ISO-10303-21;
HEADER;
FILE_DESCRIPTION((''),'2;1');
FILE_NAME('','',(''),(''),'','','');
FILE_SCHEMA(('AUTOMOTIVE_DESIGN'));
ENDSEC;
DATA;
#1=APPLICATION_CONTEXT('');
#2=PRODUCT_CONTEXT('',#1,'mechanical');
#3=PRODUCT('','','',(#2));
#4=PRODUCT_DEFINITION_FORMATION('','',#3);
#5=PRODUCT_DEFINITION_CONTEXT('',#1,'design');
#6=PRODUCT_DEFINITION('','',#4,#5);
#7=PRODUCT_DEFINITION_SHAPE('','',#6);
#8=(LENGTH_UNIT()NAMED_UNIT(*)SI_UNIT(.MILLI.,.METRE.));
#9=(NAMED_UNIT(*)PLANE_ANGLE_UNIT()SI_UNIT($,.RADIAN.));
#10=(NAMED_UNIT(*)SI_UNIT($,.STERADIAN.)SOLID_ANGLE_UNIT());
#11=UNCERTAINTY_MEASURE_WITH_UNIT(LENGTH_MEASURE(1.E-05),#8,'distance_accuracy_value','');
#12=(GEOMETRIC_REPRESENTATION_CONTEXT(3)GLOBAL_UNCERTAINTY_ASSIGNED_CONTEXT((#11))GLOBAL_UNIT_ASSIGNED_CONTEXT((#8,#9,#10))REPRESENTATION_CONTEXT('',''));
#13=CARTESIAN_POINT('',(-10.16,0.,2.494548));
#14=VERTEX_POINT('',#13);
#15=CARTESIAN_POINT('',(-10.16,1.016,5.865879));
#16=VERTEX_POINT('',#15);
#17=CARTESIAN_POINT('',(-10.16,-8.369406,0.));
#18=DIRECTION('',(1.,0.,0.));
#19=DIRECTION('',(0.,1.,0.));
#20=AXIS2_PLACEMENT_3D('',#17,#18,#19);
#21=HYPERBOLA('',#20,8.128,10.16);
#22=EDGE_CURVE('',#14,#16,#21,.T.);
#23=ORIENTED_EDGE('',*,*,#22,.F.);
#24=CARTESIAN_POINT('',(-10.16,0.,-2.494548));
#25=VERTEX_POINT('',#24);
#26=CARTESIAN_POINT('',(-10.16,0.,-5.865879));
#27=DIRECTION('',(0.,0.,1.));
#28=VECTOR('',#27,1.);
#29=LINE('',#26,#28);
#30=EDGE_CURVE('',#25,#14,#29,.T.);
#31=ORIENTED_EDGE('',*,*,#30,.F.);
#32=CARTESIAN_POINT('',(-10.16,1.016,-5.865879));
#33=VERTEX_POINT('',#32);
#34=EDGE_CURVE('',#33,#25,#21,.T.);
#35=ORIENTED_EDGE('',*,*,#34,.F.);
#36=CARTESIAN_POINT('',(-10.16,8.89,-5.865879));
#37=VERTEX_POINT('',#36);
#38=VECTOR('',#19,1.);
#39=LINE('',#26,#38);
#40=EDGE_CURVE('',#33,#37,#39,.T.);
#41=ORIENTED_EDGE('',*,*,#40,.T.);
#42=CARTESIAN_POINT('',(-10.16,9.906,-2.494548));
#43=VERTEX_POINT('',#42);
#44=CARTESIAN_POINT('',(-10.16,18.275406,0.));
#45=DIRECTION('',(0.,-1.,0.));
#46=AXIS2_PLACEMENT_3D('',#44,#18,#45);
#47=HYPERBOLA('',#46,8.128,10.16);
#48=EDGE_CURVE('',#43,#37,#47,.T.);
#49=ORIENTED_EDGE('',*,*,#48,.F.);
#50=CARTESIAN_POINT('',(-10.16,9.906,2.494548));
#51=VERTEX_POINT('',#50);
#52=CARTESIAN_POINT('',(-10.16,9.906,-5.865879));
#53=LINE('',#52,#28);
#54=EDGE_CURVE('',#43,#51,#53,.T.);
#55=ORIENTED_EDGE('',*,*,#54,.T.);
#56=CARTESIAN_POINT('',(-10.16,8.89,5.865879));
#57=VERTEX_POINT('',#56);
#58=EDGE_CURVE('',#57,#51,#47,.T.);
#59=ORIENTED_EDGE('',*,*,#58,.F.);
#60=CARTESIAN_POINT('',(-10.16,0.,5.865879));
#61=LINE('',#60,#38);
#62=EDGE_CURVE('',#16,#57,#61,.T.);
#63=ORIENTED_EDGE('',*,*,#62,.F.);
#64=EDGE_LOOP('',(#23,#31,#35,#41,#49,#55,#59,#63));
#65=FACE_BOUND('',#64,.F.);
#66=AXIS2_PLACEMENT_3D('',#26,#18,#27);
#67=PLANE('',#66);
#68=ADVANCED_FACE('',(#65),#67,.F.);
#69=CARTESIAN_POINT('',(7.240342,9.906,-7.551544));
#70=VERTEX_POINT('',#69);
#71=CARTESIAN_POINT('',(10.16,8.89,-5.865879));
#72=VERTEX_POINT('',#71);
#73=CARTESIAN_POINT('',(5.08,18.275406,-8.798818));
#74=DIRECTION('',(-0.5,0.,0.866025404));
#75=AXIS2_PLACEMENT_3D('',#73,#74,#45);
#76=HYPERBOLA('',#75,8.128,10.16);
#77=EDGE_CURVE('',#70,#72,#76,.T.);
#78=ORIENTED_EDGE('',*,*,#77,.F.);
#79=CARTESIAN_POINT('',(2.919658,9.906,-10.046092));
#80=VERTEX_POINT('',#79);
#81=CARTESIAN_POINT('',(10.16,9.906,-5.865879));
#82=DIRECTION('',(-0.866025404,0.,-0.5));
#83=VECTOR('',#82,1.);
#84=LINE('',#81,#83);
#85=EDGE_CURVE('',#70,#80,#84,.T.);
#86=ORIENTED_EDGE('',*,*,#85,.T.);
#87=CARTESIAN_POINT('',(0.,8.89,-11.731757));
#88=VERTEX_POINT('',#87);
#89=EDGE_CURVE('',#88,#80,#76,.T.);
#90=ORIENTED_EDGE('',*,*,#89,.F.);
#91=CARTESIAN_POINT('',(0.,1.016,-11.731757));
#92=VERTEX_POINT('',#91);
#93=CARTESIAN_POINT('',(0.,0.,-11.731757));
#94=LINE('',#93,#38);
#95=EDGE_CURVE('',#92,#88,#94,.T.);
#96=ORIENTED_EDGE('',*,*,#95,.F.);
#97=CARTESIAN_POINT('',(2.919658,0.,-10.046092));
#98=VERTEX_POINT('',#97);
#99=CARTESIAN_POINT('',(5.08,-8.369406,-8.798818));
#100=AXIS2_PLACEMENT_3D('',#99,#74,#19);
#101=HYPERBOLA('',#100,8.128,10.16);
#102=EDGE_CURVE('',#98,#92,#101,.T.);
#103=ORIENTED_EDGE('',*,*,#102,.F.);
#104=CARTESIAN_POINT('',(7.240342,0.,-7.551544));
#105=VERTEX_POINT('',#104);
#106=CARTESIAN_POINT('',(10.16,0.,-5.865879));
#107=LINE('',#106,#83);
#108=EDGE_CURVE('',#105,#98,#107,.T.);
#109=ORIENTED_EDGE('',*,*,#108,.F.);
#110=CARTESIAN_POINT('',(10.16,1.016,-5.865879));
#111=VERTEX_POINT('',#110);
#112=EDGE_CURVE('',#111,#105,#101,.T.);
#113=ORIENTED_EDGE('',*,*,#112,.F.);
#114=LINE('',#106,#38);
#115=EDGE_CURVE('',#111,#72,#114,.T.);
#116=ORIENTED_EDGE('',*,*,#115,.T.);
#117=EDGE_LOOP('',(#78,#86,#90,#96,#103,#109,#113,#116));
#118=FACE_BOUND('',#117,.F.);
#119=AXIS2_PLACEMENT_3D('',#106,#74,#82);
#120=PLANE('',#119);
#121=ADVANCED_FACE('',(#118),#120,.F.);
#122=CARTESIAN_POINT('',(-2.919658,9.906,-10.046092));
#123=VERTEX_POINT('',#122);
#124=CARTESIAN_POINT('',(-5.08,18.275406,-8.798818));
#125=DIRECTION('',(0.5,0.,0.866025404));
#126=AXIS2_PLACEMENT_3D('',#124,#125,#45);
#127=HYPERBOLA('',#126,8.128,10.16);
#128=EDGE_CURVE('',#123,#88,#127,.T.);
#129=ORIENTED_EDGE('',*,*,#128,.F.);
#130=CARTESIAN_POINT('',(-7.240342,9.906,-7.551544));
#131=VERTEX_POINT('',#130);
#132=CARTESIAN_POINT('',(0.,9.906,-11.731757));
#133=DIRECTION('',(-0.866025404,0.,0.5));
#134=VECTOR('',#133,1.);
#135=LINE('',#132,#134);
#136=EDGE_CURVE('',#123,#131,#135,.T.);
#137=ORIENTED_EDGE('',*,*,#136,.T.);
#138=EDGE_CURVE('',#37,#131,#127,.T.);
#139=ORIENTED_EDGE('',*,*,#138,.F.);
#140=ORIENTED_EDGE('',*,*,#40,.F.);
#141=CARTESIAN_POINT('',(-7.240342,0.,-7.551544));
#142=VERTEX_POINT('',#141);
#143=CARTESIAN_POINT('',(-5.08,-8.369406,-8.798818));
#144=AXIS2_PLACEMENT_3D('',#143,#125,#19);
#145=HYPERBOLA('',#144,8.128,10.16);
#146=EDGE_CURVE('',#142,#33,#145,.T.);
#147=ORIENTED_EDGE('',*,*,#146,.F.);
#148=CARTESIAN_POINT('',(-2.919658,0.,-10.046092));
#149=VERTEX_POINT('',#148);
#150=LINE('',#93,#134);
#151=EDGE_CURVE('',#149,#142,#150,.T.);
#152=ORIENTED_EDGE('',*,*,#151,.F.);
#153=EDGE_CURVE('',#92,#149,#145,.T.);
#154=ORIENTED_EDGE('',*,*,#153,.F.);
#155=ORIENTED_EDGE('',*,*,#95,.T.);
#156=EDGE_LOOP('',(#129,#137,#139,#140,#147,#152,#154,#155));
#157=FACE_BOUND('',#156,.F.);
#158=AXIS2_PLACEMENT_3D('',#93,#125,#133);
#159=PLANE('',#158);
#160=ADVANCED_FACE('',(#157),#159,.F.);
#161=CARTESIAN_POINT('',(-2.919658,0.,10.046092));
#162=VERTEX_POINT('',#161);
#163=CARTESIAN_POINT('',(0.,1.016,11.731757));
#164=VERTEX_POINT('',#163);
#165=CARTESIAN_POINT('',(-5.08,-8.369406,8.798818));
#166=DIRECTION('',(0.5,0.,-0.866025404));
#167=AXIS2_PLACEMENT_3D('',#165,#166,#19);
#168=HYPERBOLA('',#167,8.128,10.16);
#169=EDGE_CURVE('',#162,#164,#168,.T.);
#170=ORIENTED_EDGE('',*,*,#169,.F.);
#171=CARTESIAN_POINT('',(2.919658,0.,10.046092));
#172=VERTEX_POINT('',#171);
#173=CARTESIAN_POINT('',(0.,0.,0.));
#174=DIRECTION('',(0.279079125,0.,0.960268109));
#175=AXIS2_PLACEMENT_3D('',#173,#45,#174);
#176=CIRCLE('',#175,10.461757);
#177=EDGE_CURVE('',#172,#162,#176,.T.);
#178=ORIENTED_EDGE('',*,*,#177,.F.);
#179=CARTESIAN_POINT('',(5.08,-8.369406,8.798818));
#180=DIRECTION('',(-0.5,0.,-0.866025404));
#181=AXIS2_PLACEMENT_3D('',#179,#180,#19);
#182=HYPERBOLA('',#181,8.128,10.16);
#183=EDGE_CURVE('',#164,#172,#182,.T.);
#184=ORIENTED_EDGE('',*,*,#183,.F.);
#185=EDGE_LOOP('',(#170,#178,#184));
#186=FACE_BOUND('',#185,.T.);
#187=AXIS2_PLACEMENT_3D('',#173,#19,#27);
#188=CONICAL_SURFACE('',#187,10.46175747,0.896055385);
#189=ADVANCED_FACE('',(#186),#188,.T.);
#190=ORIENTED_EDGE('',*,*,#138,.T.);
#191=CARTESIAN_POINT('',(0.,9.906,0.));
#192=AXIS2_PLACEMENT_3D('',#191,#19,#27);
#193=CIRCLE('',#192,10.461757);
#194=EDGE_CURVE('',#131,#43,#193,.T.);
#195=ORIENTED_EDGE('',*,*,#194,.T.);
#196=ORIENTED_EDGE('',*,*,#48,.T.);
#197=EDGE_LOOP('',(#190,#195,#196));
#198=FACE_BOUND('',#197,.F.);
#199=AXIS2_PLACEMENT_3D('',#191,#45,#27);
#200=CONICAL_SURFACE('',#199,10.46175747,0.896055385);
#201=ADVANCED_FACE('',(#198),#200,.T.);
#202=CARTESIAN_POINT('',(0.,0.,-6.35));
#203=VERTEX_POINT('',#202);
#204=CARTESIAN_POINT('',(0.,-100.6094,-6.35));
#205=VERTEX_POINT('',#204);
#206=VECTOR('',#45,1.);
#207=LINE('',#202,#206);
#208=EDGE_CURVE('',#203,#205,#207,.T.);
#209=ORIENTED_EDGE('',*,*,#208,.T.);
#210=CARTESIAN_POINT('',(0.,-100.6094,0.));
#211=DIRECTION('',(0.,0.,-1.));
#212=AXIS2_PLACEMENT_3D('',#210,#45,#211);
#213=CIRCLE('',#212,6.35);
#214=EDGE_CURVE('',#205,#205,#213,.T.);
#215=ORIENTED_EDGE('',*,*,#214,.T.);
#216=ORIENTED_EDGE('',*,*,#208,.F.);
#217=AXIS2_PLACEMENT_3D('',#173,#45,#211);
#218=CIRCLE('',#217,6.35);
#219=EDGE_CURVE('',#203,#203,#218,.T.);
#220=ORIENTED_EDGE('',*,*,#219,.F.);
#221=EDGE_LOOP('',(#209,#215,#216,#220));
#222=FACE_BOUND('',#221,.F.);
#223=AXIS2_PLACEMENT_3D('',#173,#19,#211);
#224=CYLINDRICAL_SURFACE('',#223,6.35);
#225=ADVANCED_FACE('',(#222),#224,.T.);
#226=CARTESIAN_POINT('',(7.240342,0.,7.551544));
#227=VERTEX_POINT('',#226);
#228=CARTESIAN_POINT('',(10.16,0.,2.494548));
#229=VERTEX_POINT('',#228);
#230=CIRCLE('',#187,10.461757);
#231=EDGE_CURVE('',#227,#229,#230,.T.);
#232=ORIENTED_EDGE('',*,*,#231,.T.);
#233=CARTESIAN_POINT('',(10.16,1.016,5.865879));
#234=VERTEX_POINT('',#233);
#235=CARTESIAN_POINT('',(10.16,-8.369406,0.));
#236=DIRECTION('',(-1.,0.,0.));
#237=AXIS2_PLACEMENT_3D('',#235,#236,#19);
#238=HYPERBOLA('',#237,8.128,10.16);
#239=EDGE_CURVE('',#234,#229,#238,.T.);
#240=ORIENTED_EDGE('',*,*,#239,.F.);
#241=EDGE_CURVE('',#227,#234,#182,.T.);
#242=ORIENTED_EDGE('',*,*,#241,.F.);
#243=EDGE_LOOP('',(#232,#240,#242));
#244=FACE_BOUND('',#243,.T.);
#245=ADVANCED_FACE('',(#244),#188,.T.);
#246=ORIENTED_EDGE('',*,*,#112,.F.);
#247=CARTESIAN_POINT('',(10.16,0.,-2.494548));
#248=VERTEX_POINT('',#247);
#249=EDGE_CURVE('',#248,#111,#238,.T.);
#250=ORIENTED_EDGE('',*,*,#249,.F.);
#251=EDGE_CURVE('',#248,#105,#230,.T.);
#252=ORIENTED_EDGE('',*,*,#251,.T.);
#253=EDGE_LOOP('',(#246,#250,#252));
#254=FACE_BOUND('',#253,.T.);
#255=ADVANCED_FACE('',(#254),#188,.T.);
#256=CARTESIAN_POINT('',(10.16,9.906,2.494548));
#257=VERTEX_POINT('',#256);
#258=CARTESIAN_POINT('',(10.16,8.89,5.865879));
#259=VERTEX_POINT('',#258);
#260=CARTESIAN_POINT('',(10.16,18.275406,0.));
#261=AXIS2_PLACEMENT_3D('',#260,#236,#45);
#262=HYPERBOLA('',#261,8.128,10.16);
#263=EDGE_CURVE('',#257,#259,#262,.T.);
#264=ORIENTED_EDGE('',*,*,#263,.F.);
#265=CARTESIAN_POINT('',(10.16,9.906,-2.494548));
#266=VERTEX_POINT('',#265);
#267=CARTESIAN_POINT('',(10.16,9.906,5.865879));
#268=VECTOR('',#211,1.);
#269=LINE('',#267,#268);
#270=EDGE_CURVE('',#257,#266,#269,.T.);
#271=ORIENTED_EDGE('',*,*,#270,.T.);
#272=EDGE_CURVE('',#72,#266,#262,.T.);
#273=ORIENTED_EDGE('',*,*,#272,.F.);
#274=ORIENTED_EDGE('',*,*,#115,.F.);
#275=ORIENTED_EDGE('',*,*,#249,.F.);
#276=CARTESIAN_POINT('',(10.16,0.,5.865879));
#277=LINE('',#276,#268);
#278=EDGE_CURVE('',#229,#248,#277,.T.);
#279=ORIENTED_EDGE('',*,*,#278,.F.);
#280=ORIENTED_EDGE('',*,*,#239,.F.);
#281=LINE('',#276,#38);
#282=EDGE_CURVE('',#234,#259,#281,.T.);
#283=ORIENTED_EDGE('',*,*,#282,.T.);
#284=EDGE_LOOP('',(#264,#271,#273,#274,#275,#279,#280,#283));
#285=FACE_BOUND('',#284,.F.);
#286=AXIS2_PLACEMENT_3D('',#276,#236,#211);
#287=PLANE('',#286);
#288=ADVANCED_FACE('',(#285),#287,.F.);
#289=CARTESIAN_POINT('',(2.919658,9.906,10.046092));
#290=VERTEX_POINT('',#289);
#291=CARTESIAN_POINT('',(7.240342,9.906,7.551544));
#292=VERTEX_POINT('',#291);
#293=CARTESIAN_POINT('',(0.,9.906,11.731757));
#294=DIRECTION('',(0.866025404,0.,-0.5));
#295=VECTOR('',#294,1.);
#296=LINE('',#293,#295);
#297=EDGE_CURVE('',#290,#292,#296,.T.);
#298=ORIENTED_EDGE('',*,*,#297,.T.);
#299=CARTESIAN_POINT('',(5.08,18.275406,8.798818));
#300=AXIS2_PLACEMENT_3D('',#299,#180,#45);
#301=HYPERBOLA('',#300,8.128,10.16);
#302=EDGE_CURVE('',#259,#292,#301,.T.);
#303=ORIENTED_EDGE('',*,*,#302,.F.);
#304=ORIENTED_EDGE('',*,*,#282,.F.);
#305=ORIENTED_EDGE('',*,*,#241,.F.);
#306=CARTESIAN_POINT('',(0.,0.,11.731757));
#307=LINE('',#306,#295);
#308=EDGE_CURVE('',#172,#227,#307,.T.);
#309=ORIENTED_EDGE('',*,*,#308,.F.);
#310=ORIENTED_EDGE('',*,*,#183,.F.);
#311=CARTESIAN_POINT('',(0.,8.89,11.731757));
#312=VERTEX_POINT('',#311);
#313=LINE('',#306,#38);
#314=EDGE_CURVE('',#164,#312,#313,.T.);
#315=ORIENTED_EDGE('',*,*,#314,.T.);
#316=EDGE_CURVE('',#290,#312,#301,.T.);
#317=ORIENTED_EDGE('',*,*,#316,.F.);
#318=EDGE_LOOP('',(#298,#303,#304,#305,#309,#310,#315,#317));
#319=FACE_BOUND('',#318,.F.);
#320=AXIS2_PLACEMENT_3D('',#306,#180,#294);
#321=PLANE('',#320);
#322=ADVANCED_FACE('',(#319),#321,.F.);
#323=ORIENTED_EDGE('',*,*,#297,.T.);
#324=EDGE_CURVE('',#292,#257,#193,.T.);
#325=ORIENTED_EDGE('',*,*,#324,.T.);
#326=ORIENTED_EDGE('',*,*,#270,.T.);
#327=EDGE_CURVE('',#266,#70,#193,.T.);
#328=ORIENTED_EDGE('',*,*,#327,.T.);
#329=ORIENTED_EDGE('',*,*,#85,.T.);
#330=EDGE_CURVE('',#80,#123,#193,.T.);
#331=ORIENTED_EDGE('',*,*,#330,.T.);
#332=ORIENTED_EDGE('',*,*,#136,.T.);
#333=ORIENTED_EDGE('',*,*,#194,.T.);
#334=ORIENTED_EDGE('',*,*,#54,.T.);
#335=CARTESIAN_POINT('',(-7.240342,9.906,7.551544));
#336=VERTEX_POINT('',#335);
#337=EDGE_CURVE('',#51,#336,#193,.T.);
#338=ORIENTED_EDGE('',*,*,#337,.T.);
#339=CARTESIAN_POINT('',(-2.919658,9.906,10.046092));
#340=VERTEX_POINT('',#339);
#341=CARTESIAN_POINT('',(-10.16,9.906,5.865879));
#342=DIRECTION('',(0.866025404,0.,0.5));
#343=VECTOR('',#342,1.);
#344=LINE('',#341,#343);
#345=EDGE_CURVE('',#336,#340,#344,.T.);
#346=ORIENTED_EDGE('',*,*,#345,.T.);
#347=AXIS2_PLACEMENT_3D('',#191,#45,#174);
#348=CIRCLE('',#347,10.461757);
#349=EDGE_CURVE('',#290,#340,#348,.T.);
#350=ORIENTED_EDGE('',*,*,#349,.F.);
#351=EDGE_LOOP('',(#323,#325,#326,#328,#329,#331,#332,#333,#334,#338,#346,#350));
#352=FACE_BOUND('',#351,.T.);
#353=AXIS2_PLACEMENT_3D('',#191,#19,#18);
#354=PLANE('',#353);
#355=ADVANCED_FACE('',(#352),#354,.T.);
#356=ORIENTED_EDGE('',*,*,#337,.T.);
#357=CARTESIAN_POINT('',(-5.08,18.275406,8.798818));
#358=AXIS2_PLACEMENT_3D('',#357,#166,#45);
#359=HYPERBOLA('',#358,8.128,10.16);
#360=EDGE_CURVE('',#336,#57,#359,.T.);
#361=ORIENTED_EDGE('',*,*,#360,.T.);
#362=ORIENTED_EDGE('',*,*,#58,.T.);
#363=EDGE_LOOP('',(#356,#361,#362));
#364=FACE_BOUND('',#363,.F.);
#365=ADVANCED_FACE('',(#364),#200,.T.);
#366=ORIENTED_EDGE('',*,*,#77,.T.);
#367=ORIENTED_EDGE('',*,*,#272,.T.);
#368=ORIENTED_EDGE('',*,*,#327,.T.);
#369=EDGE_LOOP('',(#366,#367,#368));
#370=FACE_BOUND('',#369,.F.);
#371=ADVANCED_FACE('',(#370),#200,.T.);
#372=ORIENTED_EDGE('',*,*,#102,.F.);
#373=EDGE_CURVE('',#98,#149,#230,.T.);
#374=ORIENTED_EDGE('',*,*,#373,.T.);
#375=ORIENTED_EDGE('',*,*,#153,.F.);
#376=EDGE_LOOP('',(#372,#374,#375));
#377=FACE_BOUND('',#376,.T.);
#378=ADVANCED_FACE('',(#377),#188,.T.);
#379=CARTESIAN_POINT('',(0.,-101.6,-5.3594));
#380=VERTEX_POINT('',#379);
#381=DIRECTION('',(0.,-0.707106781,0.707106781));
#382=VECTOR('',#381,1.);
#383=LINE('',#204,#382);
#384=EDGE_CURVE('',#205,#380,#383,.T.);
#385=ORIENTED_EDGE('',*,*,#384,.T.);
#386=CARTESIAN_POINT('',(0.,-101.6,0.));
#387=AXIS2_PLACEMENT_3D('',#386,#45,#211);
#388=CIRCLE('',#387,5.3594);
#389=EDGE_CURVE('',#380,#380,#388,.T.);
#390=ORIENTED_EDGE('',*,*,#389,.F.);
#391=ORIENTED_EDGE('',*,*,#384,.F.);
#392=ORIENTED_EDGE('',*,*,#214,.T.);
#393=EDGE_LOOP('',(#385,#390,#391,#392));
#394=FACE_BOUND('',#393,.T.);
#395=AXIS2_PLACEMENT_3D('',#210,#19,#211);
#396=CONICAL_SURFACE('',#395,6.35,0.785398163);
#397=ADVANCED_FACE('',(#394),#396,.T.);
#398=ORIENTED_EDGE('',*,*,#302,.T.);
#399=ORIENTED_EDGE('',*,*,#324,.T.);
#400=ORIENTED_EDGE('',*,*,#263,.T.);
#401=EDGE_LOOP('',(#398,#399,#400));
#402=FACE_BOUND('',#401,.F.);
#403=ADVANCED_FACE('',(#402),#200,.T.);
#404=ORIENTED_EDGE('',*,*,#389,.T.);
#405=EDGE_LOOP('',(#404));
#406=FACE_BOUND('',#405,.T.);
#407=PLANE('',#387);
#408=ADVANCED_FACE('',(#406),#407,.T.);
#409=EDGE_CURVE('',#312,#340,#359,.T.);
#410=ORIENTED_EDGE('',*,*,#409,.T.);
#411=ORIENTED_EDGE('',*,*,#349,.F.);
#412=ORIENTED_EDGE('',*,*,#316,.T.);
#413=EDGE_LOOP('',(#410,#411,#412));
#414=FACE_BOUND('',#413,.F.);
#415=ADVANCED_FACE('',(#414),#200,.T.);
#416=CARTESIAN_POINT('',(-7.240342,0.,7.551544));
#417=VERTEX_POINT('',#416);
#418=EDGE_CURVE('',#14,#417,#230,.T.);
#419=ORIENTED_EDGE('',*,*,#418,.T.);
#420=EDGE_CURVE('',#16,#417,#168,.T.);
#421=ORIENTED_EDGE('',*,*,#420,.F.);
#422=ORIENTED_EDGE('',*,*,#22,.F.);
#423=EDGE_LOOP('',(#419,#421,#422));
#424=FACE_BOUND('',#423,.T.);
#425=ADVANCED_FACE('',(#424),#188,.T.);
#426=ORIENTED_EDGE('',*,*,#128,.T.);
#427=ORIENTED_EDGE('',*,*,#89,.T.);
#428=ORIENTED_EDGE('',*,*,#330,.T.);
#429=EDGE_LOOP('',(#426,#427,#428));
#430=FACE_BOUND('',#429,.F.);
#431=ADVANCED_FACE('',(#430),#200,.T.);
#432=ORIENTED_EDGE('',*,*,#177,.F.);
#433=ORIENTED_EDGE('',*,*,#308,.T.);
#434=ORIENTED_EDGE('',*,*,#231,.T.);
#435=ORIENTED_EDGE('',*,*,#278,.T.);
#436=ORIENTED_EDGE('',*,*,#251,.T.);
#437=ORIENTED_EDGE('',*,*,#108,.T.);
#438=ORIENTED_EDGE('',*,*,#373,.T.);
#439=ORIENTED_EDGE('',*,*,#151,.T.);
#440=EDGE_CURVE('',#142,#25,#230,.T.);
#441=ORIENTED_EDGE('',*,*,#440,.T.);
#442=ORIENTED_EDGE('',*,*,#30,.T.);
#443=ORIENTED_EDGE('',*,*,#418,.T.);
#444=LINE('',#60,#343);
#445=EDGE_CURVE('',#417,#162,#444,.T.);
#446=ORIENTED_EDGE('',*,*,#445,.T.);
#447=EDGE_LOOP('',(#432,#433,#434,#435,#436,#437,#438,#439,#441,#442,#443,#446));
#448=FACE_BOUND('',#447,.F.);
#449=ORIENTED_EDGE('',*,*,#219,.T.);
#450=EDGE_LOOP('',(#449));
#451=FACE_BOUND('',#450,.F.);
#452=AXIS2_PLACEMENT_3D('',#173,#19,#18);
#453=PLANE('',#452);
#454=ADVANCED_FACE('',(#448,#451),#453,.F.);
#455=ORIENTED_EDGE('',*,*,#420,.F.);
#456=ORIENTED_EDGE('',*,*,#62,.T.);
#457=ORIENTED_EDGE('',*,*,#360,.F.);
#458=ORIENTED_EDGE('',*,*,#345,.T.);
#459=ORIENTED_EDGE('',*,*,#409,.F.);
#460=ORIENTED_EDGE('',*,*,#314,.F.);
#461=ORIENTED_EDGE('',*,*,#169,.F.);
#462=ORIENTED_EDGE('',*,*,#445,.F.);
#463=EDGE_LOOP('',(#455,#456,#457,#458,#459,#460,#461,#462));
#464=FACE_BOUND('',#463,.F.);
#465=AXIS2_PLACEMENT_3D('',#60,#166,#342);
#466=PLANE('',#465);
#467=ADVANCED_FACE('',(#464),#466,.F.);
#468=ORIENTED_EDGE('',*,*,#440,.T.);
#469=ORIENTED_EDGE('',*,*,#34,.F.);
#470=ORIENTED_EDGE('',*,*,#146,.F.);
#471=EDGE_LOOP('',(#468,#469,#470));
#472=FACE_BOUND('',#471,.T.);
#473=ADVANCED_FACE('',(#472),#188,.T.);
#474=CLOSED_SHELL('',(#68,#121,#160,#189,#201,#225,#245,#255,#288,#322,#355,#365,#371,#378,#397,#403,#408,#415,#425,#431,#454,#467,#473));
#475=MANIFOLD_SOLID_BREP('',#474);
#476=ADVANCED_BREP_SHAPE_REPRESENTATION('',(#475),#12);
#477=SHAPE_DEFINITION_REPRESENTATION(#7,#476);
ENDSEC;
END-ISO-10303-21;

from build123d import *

# Parameters (mm, degrees)
BOSS_EXTRUDE1_DEPTH = 9.906
SKETCH3_R           = 6.35
BOSS_EXTRUDE2_DEPTH = 101.6
CHAMFER1_SIZE       = 0.9906


with BuildPart() as part:
    # Sketch1 → Boss-Extrude1 (new body)
    with BuildSketch(Plane(origin=(0, 0, 0), x_dir=(1, 0, 0), z_dir=(0, 1, 0))):
        Polygon((0, -11.73175747), (10.16, -5.865878735), (10.16, 5.865878735), (0, 11.73175747), (-10.16, 5.865878735), (-10.16, -5.865878735), align=None)
    extrude(amount=BOSS_EXTRUDE1_DEPTH)

    # Sketch3 → Boss-Extrude2 (add)
    with BuildSketch(Plane.XZ):
        with Locations(Location((0, 0, 0), (0, 0, 270))):
            Circle(SKETCH3_R)
    extrude(amount=BOSS_EXTRUDE2_DEPTH)

    # Chamfer1
    chamfer1_edges = [part.edges().sort_by_distance(p)[0] for p in [
        (0, -101.6, 6.35),
    ]]
    chamfer(chamfer1_edges, length=CHAMFER1_SIZE)

    # Sketch9 → Cut-Revolve4 (revolve, cut)
    with BuildSketch(Plane(origin=(0, 0, 0), x_dir=(0, 0, -1), z_dir=(1, 0, 0))):
        Polygon((-11.73175747, 9.906), (-10.46175747, 9.906), (-11.73175747, 8.89), align=None)
        Polygon((-11.73175747, 0), (-10.46175747, 0), (-11.73175747, 1.016), align=None)
    revolve(axis=Axis((0, 0, 0), (0, 1, 0)), mode=Mode.SUBTRACT)


solid = part.part
